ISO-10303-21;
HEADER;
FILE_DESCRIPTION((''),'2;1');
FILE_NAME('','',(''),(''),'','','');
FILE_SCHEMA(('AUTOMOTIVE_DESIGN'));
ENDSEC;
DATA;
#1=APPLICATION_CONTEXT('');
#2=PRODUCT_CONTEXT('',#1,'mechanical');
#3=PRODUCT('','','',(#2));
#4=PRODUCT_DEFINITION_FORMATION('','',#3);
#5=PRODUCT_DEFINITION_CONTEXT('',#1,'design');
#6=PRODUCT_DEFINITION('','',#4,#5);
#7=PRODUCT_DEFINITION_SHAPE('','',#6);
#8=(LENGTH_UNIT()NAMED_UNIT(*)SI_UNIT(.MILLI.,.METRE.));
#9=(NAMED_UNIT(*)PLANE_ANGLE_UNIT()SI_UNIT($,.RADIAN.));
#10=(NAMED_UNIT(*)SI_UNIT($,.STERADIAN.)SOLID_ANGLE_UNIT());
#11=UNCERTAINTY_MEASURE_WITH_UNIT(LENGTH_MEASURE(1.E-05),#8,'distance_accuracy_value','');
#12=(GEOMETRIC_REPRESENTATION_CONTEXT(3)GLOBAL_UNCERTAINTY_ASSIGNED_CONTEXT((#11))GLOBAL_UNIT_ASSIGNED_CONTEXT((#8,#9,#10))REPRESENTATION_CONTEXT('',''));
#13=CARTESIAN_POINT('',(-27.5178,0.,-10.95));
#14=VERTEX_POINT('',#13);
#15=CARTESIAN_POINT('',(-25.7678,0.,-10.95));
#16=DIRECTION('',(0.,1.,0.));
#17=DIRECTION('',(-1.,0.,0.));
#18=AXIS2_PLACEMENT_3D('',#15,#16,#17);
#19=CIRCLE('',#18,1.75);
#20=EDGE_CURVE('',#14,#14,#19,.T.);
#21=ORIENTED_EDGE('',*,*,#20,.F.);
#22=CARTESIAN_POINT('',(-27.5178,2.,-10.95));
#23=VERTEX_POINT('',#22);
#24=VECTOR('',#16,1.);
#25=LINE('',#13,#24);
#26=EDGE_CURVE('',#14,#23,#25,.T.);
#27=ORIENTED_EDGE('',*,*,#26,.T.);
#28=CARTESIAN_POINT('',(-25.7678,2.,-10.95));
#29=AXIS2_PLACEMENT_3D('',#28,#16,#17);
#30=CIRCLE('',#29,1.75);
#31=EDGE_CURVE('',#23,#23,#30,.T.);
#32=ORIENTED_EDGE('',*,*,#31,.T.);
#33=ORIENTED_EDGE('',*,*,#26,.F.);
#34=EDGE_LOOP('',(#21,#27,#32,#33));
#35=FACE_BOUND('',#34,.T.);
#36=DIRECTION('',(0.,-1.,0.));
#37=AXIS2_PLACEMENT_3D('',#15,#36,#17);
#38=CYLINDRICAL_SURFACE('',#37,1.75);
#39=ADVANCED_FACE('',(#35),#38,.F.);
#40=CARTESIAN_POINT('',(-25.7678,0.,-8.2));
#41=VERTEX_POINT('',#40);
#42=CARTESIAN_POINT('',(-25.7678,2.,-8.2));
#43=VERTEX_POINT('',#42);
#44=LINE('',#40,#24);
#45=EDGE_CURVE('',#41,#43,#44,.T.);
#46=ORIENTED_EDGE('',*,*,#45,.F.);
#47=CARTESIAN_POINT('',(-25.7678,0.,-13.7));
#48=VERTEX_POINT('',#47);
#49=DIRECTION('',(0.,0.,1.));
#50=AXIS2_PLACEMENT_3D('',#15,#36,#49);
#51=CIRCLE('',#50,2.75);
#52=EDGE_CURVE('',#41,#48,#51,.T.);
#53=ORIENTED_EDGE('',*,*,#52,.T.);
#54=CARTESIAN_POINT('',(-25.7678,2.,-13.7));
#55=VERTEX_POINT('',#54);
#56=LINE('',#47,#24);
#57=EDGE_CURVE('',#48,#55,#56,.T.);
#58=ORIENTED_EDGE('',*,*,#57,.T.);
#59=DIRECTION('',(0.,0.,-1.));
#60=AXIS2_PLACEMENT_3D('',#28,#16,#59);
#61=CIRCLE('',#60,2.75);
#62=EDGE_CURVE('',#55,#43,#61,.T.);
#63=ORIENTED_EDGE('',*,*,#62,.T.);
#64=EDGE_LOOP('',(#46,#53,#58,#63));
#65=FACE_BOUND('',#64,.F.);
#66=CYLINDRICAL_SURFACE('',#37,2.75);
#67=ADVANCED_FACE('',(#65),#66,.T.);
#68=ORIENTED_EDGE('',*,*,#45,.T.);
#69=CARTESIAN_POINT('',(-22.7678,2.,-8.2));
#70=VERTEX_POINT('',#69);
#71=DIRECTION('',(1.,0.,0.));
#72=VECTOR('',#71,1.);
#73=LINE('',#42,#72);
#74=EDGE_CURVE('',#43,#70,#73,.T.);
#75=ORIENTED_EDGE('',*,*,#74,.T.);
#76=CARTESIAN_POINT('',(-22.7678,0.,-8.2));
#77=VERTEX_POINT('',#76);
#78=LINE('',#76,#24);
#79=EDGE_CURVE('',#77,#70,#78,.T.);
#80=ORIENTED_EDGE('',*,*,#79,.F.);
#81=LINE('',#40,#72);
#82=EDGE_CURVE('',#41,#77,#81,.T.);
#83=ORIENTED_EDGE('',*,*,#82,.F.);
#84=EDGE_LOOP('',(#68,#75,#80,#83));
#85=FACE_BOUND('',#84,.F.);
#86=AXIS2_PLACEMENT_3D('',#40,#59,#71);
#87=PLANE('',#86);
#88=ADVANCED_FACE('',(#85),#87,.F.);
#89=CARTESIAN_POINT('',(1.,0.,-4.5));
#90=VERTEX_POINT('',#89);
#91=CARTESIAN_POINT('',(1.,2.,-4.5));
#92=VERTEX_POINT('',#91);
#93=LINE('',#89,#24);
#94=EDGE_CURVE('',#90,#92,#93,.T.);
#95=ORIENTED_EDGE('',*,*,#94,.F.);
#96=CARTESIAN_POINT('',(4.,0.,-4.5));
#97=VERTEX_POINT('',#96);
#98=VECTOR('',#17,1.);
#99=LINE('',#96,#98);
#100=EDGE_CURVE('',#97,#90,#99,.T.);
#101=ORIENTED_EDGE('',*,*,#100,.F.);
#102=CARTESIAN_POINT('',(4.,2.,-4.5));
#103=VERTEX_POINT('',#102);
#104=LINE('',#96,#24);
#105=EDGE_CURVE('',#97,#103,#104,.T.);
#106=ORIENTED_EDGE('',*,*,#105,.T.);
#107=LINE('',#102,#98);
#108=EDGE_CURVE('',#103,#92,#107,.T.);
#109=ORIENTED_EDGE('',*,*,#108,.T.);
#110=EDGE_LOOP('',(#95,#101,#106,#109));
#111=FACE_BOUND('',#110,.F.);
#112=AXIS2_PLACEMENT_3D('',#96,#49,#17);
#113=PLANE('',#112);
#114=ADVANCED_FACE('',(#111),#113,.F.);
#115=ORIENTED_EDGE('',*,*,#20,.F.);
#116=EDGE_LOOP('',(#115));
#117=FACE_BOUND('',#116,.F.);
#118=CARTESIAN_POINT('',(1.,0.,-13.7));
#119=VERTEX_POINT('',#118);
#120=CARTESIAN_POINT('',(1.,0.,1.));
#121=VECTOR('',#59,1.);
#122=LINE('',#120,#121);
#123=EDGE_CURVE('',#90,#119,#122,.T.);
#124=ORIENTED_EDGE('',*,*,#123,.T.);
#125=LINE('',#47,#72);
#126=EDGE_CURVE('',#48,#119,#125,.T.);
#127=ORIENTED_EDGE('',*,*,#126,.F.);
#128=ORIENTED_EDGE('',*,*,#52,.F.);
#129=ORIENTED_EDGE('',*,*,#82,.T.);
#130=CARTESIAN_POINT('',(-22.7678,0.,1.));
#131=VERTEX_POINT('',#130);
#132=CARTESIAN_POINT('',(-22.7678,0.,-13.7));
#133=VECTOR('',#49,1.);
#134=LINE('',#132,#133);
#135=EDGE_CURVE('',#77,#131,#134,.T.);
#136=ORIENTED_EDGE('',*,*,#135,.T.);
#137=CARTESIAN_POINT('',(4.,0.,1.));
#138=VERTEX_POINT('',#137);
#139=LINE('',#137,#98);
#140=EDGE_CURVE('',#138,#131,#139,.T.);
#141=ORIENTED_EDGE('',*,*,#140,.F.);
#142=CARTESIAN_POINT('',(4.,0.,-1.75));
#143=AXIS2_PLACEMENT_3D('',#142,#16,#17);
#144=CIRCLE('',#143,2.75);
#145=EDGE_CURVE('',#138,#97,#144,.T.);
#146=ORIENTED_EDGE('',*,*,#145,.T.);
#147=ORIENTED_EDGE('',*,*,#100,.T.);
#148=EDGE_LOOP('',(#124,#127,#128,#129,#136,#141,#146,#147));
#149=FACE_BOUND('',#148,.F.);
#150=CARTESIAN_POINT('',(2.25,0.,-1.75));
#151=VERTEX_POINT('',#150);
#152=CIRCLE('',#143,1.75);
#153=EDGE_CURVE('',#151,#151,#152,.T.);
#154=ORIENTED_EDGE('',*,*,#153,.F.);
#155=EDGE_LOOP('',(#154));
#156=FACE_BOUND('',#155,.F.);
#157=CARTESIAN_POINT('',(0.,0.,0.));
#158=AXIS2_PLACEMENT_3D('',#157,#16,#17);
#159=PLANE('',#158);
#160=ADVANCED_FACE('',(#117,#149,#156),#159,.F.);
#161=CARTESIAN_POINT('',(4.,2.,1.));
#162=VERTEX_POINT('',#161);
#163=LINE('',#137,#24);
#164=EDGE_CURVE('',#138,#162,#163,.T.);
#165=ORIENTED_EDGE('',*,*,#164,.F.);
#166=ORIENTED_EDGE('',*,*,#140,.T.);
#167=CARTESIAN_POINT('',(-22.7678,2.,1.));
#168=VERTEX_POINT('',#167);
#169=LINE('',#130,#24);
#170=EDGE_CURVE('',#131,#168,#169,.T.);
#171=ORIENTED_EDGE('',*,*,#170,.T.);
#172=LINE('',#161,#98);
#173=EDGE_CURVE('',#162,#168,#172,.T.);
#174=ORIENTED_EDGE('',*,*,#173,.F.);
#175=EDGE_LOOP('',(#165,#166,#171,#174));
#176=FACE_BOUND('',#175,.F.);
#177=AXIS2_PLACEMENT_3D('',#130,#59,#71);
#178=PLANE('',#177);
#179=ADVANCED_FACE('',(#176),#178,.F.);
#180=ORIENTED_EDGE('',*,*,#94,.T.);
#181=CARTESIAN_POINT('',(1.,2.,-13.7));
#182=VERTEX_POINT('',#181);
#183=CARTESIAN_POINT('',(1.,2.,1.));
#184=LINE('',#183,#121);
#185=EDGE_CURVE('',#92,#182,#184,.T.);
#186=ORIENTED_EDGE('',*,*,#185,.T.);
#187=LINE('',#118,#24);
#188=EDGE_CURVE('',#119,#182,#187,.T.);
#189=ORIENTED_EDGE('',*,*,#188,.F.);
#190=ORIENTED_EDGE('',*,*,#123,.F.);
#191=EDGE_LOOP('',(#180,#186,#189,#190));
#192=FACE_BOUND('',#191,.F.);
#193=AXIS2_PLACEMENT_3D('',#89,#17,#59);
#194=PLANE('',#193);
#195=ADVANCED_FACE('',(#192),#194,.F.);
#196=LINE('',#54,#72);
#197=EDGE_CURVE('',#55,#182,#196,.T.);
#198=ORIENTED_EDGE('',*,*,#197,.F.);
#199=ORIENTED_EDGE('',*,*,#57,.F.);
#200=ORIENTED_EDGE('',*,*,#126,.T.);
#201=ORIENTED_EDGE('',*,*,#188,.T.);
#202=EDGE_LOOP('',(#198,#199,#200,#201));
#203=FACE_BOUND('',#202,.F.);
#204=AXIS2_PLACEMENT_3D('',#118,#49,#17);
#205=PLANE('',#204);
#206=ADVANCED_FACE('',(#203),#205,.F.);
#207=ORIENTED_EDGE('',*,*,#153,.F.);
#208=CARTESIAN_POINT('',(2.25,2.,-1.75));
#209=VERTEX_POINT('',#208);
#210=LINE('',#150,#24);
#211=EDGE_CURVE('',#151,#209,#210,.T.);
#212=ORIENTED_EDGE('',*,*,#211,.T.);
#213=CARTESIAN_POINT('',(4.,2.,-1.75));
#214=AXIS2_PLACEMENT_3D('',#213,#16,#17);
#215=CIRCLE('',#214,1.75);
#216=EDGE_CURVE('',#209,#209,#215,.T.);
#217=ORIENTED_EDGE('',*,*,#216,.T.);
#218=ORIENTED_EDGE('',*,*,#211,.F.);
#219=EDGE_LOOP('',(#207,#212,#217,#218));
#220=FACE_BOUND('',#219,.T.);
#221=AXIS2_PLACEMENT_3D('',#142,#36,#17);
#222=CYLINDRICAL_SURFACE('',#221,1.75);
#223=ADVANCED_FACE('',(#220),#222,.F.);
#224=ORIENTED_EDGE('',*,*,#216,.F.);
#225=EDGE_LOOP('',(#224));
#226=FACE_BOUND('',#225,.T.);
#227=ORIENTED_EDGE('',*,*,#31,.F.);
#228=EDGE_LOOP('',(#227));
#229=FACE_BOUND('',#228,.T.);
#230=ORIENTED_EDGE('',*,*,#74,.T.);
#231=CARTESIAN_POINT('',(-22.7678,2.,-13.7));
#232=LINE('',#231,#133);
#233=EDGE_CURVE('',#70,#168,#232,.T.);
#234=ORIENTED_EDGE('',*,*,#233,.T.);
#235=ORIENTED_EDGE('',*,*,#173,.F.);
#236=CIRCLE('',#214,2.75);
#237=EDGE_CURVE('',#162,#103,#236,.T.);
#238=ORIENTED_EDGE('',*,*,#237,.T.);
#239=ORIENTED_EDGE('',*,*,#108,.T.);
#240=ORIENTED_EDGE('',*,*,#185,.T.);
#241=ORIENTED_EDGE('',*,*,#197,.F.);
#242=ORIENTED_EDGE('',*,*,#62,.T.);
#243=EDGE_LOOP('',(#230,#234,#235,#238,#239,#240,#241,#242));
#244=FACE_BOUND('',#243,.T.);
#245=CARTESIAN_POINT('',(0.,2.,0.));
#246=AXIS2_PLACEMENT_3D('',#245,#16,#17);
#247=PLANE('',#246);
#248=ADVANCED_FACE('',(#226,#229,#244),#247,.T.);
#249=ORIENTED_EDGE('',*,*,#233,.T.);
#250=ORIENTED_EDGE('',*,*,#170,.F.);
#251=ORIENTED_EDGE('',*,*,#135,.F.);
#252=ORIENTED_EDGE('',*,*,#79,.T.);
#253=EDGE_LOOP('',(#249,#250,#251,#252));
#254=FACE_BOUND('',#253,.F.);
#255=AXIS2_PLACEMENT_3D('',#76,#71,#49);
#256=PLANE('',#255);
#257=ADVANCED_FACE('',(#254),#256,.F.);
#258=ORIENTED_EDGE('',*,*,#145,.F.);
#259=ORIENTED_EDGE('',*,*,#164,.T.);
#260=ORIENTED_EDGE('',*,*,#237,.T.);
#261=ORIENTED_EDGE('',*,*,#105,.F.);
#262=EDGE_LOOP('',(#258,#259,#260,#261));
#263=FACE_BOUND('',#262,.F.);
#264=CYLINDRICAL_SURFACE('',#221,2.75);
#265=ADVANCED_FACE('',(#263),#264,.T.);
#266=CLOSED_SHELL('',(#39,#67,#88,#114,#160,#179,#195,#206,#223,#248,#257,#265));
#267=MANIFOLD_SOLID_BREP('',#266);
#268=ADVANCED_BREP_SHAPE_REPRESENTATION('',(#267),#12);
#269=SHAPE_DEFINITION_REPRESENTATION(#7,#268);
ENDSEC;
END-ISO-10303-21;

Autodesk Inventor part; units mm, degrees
ref_plane "YZ Plane" through (0, 0, 0) normal (1, 0, 0) x (0, 1, 0)
ref_plane "XZ Plane" through (0, 0, 0) normal (0, 1, 0) x (-1, 0, 0)
ref_plane "XY Plane" through (0, 0, 0) normal (0, 0, 1) x (1, 0, 0)
sketch "Sketch1" plane through (0, 0, 0) normal (0, 1, 0) x (-1, 0, 0)
  line L0 (0, 0) -> (21.7678, 0)
  line L1 (21.7678, 0) -> (21.7678, -12.7)
  line L2 (21.7678, -12.7) -> (0, -12.7)
  line L3 (0, -12.7) -> (0, 0)
  circle A0 centre (25.7678, -10.95) radius 1.75
  circle A1 centre (-4, -1.75) radius 1.75
  circle A2 centre (25.7678, -10.95) radius 2.75
  circle A3 centre (-4, -1.75) radius 2.75
  line L4 (-1, -13.7) -> (22.7678, -13.7)
  line L5 (22.7678, -13.7) -> (22.7678, 1)
  line L6 (22.7678, 1) -> (-1, 1)
  line L7 (-1, 1) -> (-1, -13.7)
  line L8 (25.7678, -13.7) -> (22.7678, -13.7)
  line L9 (25.7678, -8.2) -> (22.7678, -8.2)
  line L10 (-4, 1) -> (-1, 1)
  line L11 (-4, -4.5) -> (-1, -4.5)
  dimension "d0" = 21.7678
  dimension "d1" = 12.7
  dimension "d2" = 3.5
  dimension "d3" = 3.5
  dimension "d4" = 4
  dimension "d5" = 4
  dimension "d6" = 5.5
  dimension "d7" = 5.5
extrude "Extrusion1" add sketch "Sketch1" along normal blind 2 contours L0 L1 L2 L3 | A2 | A2 L8 L5 L9 | L5 L4 L7 L6 | L7 L11 A3 L10 | A3
equation "\"d3\" = d2"
equation "\"d5\" = d4"
equation "\"d7\" = d6"
properties part number "HDMI Mount"
